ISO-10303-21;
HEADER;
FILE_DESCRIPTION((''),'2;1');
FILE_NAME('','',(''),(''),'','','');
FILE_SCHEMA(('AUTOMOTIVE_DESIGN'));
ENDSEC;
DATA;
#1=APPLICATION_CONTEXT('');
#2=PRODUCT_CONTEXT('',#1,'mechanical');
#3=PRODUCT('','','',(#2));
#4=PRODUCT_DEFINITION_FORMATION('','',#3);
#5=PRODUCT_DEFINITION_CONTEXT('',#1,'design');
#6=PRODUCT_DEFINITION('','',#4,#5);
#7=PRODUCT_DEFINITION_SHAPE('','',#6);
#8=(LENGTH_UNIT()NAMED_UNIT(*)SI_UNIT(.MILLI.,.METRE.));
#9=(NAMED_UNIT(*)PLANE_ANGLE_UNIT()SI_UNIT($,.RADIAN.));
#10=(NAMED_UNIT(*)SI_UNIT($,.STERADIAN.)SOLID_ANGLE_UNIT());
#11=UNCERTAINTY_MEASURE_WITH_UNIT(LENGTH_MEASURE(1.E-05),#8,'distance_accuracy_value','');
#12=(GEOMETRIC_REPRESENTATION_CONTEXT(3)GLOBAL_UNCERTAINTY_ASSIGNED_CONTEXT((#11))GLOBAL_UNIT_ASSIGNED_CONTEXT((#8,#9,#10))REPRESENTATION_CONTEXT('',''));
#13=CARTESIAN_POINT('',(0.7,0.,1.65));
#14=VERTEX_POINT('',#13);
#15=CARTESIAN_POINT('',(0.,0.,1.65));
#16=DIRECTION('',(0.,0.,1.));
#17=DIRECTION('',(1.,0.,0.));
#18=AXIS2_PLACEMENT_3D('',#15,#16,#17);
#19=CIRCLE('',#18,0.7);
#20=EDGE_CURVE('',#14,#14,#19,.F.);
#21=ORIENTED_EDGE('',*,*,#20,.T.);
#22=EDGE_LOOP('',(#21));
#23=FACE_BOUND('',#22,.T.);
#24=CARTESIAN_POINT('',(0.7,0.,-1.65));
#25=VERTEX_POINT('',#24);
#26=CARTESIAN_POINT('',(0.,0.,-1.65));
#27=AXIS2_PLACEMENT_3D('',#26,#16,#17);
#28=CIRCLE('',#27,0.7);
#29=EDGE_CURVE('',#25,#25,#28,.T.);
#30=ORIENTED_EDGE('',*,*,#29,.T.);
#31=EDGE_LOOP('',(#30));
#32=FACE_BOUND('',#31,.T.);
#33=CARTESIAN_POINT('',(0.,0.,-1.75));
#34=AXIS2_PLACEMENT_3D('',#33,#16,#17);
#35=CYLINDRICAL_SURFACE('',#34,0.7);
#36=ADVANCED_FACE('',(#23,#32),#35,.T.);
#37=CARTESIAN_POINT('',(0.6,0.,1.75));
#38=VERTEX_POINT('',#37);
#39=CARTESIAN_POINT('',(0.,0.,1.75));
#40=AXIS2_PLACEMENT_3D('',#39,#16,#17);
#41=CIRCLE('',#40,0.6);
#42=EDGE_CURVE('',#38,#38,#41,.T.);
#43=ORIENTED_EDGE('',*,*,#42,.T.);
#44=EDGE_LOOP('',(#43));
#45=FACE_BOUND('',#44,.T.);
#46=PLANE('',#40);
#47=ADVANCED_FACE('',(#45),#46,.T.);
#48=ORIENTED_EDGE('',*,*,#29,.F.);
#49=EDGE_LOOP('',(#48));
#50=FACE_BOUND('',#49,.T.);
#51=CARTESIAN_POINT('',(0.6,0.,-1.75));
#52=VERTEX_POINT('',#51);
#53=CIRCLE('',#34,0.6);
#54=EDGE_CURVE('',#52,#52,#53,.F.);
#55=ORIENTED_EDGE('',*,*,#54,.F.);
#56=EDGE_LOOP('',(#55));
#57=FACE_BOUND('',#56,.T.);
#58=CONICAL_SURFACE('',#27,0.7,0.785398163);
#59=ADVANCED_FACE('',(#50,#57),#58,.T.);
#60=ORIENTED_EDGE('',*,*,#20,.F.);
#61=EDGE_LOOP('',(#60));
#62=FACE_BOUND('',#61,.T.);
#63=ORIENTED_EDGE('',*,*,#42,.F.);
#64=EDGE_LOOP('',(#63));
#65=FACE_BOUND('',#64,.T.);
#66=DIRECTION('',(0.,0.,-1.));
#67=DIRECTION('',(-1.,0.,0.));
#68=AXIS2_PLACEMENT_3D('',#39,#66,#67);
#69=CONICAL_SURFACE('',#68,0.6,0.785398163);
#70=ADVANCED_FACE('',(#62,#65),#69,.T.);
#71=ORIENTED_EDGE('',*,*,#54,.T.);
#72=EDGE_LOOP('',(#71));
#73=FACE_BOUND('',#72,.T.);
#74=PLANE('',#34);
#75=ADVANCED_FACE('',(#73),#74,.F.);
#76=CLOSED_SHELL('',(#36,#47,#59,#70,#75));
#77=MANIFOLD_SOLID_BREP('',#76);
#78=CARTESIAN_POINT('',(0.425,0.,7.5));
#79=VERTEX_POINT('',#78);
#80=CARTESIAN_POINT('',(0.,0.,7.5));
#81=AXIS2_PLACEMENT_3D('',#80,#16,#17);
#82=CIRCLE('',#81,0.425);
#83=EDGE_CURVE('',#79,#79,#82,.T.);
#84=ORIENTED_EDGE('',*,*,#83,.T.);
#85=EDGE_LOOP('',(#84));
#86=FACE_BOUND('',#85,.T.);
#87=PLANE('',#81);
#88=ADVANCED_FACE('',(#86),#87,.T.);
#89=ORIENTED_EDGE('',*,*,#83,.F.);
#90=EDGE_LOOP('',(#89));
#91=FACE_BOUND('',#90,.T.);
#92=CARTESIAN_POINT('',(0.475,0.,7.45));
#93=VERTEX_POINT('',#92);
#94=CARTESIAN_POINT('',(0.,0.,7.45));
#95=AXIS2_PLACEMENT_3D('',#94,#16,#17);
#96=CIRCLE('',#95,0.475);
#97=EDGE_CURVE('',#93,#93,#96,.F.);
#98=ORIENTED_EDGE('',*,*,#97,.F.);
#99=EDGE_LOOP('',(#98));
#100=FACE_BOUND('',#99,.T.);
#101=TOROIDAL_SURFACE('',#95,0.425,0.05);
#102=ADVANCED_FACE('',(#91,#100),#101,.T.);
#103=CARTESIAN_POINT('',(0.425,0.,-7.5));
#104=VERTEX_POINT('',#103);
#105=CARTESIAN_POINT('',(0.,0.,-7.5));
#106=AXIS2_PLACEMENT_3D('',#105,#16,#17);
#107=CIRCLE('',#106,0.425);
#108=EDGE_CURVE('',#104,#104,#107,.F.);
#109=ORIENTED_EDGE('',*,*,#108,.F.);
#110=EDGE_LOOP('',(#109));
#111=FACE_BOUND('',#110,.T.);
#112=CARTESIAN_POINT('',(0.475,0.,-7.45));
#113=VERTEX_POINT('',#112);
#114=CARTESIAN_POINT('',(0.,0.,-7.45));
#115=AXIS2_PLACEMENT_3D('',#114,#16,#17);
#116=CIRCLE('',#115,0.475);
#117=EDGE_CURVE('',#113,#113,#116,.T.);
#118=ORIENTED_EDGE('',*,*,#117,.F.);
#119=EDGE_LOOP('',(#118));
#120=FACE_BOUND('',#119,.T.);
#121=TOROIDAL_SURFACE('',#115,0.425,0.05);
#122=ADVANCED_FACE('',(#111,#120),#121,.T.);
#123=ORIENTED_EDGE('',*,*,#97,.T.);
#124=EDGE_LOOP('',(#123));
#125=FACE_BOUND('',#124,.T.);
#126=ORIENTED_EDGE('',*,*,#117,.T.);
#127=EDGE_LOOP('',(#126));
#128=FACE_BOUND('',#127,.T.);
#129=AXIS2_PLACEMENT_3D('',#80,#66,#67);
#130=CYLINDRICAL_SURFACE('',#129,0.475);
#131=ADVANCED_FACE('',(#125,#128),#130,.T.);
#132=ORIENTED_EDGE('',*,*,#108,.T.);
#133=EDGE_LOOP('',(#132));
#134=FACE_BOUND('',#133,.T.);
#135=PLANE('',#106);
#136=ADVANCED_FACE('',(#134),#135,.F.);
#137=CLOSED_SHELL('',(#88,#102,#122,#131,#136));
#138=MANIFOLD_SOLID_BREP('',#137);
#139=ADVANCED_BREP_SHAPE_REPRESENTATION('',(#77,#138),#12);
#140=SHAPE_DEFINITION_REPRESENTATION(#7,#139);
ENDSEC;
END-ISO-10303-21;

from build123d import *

# Parameters (mm, degrees)
SKETCH1_R           = 0.475
BOSS_EXTRUDE1_DEPTH = 7.5
BOSS_EXTRUDE2_START = -5.75
SKETCH2_R           = 0.7
BOSS_EXTRUDE2_DEPTH = 3.5
CHAMFER1_SIZE       = 0.1
FILLET1_R           = 0.05


with BuildPart() as part:
    # Sketch1 → Boss-Extrude1 (new, symmetric)
    with BuildSketch(Plane.XY):
        Circle(SKETCH1_R)
    extrude(amount=BOSS_EXTRUDE1_DEPTH, both=True)

    # Fillet1
    fillet1_edges = [part.edges().sort_by_distance(p)[0] for p in [
        (-0.475, 0, -7.5),
        (-0.475, 0, 7.5),
    ]]
    fillet(fillet1_edges, radius=FILLET1_R)


with BuildPart() as body_2:
    # Sketch2 → Boss-Extrude2 (new body)
    with BuildSketch(Plane.XY.offset(7.5).offset(BOSS_EXTRUDE2_START)):
        Circle(SKETCH2_R)
    extrude(amount=-BOSS_EXTRUDE2_DEPTH)

    # Chamfer1
    chamfer1_edges = [body_2.edges().sort_by_distance(p)[0] for p in [
        (-0.7, 0, 1.75),
        (-0.7, 0, -1.75),
    ]]
    chamfer(chamfer1_edges, length=CHAMFER1_SIZE)


solid = Compound([part.part, body_2.part])
